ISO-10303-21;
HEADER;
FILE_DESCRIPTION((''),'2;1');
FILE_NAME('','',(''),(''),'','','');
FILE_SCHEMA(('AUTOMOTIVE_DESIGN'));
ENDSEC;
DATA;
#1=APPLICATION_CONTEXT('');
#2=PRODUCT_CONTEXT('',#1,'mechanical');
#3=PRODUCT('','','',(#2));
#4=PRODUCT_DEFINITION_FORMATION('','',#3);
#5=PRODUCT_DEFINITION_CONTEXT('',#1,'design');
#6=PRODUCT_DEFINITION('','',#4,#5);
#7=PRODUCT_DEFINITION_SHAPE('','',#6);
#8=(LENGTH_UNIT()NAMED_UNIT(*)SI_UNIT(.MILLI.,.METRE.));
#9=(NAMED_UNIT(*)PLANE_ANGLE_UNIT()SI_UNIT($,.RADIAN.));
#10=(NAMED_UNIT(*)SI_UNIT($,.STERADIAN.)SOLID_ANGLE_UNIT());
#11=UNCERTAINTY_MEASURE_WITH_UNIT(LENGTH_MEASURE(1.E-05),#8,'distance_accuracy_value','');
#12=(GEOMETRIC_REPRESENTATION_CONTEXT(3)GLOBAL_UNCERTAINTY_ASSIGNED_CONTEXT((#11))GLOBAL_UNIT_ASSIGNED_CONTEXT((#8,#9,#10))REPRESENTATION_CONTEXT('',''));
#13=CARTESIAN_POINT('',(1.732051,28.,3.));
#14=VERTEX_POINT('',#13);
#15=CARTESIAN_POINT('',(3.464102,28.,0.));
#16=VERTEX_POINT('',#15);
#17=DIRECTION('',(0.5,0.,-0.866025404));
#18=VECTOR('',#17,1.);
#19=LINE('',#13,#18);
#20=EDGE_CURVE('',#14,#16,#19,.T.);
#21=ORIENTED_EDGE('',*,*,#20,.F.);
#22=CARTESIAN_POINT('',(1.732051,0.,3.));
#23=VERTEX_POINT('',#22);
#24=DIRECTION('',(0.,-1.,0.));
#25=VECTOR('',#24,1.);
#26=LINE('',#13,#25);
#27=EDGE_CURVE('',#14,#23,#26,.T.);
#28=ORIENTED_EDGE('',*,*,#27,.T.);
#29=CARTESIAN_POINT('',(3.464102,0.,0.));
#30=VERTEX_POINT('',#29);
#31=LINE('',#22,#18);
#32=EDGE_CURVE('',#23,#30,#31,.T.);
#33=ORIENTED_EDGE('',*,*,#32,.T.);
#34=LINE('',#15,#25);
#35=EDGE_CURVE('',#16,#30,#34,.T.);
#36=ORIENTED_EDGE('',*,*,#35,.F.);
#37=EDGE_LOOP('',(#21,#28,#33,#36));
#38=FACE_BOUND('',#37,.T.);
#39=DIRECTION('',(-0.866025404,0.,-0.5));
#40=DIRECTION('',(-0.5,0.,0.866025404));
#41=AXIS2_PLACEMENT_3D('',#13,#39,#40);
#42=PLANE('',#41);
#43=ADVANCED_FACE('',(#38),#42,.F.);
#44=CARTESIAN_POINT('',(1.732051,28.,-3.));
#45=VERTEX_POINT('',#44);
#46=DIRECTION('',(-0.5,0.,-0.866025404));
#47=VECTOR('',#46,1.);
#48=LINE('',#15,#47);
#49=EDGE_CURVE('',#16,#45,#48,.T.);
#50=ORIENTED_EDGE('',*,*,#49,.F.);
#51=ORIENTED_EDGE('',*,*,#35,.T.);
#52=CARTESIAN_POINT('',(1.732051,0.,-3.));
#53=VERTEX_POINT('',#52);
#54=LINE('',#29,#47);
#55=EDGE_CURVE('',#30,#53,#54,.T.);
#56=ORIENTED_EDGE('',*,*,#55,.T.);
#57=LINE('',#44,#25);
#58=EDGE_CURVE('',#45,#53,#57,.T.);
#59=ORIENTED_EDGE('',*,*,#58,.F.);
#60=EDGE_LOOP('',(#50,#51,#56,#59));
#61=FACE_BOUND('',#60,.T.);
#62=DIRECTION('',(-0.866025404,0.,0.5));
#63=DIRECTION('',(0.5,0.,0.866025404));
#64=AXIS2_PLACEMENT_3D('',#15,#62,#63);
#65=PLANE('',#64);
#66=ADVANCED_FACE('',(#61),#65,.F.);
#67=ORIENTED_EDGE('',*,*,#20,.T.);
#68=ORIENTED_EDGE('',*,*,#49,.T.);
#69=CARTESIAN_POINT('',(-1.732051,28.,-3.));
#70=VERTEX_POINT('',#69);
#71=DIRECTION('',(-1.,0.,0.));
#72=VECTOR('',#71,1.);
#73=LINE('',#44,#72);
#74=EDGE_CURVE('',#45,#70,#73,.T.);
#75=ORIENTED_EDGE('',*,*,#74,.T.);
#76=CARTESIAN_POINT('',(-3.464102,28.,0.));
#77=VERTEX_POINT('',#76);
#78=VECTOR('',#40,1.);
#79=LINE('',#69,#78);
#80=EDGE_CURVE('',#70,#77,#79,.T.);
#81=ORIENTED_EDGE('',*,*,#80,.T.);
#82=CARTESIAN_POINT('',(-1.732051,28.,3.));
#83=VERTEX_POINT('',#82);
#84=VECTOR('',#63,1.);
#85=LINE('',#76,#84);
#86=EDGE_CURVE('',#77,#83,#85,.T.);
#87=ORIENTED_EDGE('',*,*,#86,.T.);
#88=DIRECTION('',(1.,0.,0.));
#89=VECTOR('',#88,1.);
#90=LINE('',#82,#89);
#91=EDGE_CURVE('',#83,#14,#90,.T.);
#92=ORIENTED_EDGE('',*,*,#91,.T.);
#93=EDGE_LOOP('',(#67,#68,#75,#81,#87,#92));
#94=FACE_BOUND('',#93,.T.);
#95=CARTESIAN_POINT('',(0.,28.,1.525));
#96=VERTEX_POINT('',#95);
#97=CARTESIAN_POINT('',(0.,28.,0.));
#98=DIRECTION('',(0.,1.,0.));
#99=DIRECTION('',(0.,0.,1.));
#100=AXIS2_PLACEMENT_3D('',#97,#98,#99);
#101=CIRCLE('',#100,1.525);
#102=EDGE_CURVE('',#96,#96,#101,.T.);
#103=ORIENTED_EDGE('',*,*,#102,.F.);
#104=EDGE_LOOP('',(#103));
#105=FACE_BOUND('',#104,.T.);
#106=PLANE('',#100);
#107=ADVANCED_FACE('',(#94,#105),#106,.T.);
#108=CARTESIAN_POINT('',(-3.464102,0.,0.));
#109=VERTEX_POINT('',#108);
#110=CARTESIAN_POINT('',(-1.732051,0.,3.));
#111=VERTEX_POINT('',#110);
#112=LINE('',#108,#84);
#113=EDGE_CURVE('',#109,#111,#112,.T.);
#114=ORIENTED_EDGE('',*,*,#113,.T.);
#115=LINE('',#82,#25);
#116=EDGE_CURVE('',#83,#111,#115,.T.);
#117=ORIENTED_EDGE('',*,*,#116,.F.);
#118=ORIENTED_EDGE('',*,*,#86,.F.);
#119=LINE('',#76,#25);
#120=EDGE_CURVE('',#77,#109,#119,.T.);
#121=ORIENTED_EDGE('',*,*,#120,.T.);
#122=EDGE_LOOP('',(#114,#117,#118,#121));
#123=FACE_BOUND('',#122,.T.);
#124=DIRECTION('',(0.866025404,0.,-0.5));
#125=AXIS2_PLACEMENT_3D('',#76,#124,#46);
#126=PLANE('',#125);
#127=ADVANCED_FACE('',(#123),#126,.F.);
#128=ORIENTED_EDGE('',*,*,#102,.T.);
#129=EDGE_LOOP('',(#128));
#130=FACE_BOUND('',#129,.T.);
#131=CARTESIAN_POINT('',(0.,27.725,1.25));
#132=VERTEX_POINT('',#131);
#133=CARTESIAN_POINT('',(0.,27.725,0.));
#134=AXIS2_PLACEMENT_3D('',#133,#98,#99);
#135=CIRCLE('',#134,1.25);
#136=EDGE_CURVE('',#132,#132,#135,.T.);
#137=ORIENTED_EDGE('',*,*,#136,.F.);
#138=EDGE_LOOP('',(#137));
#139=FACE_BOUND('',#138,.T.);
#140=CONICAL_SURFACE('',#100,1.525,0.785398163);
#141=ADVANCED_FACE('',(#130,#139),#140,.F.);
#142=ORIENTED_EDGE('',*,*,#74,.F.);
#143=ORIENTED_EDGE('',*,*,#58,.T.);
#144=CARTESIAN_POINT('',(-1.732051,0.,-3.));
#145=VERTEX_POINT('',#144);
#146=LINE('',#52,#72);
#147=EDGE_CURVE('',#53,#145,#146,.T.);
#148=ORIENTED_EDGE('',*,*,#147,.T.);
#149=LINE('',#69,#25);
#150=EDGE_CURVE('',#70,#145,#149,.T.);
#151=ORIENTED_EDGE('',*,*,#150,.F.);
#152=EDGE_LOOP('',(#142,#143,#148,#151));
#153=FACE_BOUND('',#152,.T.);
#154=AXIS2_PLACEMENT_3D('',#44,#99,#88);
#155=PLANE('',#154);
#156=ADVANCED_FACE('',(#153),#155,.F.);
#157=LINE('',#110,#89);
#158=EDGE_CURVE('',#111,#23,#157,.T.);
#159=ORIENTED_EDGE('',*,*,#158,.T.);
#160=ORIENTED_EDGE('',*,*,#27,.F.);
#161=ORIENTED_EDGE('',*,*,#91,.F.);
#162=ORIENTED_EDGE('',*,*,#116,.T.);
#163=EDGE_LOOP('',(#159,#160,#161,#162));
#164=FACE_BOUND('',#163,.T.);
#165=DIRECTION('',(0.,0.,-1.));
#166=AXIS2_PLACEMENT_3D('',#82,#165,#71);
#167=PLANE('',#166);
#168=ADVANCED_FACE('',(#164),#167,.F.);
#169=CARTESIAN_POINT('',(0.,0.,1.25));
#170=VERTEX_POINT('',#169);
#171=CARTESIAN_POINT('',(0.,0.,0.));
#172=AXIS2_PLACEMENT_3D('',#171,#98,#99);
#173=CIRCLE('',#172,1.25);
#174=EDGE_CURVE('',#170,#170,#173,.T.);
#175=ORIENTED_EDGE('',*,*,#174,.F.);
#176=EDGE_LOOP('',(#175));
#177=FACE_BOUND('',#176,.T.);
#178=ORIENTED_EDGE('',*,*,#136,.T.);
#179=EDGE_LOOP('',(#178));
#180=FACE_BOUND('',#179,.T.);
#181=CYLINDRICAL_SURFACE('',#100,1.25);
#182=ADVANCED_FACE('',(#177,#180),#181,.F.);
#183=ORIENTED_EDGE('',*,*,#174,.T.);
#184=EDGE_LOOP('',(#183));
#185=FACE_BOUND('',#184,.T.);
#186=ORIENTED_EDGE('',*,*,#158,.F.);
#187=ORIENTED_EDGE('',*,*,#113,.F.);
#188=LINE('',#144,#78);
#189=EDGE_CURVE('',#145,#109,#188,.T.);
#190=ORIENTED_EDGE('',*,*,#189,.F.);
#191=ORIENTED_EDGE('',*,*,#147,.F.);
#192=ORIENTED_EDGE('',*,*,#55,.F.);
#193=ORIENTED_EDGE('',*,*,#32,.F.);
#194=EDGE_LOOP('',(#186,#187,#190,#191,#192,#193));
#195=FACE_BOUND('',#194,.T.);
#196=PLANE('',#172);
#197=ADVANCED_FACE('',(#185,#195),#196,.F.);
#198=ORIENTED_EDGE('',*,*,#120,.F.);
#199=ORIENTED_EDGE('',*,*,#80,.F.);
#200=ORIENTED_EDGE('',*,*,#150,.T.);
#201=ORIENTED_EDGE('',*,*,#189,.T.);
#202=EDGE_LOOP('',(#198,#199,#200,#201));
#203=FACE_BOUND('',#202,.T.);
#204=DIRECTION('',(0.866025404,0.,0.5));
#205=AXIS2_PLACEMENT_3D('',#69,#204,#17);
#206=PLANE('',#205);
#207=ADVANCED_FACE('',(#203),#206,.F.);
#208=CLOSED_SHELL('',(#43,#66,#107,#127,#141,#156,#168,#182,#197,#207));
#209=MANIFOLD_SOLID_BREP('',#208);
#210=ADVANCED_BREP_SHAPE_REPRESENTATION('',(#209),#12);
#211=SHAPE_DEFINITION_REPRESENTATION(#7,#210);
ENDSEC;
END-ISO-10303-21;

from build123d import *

# Parameters (mm, degrees)
AUFSATZ_LINEAR_AUSTRAGEN1_DEPTH = 28
M3_GEWINDEBOHRUNG1_D            = 2.5
M3_GEWINDEBOHRUNG1_CSINK_D      = 3.05
M3_GEWINDEBOHRUNG1_CSINK_ANGLE  = 90


with BuildPart() as part:
    # Skizze1 → Aufsatz-Linear austragen1 (new body)
    with BuildSketch(Plane(origin=(0, 0, 0), x_dir=(1, 0, 0), z_dir=(0, 1, 0))):
        Polygon((3.464101615, 0), (1.732050808, 3), (-1.732050808, 3), (-3.464101615, 0), (-1.732050808, -3), (1.732050808, -3), align=None)
    extrude(amount=AUFSATZ_LINEAR_AUSTRAGEN1_DEPTH)

    # M3 Gewindebohrung1 (through all)
    with Locations(Plane(origin=(0, 28, 0), x_dir=(1, 0, 0), z_dir=(0, 1, 0))):
        with Locations((0, 0)):
            CounterSinkHole(M3_GEWINDEBOHRUNG1_D / 2, M3_GEWINDEBOHRUNG1_CSINK_D / 2, counter_sink_angle=M3_GEWINDEBOHRUNG1_CSINK_ANGLE)


solid = part.part
